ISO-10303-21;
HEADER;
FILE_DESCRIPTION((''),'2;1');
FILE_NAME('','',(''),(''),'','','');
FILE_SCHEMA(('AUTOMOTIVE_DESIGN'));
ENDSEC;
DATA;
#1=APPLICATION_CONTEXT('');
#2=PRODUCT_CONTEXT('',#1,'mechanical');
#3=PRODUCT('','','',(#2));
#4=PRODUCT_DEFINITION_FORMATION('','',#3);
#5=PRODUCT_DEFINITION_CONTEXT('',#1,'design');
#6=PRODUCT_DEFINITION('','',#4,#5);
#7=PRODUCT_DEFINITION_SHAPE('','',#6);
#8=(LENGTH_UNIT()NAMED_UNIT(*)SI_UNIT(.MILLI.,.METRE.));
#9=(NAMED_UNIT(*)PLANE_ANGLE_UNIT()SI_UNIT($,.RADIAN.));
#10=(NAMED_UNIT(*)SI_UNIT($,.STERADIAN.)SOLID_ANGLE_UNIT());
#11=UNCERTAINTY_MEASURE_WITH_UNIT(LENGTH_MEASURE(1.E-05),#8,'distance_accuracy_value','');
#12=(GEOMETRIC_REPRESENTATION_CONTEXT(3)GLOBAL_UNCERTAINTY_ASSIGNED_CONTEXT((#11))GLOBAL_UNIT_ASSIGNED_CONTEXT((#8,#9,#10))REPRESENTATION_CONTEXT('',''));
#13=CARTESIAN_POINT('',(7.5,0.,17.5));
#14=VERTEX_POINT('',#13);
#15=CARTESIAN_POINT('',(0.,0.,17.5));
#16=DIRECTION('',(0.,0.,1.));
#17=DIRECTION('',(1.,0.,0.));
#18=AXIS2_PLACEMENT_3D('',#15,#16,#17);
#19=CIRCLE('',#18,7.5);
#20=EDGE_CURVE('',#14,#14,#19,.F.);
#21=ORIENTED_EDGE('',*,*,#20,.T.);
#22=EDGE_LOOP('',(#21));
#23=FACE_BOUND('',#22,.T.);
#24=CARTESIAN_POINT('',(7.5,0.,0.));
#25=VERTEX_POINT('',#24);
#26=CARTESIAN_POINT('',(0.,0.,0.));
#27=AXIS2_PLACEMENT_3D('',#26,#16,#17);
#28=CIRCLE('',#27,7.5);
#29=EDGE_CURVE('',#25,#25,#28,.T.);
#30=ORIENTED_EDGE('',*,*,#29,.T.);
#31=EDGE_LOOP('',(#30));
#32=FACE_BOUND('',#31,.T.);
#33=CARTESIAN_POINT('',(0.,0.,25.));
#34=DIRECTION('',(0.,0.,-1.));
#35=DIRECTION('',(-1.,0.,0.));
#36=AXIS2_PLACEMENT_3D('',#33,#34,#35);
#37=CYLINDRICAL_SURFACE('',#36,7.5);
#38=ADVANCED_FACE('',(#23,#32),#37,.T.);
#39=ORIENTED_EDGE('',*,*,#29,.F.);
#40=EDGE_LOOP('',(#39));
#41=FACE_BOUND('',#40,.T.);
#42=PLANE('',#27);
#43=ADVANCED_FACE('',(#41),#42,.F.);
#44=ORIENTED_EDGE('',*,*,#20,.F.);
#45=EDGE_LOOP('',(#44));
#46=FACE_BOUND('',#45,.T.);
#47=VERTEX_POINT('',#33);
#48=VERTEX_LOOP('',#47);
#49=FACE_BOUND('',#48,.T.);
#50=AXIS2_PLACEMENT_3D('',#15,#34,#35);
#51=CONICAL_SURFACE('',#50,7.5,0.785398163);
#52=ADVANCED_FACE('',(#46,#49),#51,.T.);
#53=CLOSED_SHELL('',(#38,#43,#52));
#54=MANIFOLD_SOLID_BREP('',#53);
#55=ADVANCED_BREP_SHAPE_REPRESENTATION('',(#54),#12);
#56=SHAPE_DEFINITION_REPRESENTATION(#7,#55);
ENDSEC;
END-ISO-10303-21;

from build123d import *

# Parameters (mm, degrees)
SKETCH1_R           = 7.5
BOSS_EXTRUDE1_DEPTH = 25
CHAMFER1_SIZE       = 7.5


with BuildPart() as part:
    # Sketch1 → Boss-Extrude1 (new body)
    with BuildSketch(Plane.XY):
        Circle(SKETCH1_R)
    extrude(amount=BOSS_EXTRUDE1_DEPTH)

    # Chamfer1
    chamfer1_edges = [part.edges().sort_by_distance(p)[0] for p in [
        (-7.5, 0, 25),
    ]]
    chamfer(chamfer1_edges, length=CHAMFER1_SIZE)


solid = part.part
